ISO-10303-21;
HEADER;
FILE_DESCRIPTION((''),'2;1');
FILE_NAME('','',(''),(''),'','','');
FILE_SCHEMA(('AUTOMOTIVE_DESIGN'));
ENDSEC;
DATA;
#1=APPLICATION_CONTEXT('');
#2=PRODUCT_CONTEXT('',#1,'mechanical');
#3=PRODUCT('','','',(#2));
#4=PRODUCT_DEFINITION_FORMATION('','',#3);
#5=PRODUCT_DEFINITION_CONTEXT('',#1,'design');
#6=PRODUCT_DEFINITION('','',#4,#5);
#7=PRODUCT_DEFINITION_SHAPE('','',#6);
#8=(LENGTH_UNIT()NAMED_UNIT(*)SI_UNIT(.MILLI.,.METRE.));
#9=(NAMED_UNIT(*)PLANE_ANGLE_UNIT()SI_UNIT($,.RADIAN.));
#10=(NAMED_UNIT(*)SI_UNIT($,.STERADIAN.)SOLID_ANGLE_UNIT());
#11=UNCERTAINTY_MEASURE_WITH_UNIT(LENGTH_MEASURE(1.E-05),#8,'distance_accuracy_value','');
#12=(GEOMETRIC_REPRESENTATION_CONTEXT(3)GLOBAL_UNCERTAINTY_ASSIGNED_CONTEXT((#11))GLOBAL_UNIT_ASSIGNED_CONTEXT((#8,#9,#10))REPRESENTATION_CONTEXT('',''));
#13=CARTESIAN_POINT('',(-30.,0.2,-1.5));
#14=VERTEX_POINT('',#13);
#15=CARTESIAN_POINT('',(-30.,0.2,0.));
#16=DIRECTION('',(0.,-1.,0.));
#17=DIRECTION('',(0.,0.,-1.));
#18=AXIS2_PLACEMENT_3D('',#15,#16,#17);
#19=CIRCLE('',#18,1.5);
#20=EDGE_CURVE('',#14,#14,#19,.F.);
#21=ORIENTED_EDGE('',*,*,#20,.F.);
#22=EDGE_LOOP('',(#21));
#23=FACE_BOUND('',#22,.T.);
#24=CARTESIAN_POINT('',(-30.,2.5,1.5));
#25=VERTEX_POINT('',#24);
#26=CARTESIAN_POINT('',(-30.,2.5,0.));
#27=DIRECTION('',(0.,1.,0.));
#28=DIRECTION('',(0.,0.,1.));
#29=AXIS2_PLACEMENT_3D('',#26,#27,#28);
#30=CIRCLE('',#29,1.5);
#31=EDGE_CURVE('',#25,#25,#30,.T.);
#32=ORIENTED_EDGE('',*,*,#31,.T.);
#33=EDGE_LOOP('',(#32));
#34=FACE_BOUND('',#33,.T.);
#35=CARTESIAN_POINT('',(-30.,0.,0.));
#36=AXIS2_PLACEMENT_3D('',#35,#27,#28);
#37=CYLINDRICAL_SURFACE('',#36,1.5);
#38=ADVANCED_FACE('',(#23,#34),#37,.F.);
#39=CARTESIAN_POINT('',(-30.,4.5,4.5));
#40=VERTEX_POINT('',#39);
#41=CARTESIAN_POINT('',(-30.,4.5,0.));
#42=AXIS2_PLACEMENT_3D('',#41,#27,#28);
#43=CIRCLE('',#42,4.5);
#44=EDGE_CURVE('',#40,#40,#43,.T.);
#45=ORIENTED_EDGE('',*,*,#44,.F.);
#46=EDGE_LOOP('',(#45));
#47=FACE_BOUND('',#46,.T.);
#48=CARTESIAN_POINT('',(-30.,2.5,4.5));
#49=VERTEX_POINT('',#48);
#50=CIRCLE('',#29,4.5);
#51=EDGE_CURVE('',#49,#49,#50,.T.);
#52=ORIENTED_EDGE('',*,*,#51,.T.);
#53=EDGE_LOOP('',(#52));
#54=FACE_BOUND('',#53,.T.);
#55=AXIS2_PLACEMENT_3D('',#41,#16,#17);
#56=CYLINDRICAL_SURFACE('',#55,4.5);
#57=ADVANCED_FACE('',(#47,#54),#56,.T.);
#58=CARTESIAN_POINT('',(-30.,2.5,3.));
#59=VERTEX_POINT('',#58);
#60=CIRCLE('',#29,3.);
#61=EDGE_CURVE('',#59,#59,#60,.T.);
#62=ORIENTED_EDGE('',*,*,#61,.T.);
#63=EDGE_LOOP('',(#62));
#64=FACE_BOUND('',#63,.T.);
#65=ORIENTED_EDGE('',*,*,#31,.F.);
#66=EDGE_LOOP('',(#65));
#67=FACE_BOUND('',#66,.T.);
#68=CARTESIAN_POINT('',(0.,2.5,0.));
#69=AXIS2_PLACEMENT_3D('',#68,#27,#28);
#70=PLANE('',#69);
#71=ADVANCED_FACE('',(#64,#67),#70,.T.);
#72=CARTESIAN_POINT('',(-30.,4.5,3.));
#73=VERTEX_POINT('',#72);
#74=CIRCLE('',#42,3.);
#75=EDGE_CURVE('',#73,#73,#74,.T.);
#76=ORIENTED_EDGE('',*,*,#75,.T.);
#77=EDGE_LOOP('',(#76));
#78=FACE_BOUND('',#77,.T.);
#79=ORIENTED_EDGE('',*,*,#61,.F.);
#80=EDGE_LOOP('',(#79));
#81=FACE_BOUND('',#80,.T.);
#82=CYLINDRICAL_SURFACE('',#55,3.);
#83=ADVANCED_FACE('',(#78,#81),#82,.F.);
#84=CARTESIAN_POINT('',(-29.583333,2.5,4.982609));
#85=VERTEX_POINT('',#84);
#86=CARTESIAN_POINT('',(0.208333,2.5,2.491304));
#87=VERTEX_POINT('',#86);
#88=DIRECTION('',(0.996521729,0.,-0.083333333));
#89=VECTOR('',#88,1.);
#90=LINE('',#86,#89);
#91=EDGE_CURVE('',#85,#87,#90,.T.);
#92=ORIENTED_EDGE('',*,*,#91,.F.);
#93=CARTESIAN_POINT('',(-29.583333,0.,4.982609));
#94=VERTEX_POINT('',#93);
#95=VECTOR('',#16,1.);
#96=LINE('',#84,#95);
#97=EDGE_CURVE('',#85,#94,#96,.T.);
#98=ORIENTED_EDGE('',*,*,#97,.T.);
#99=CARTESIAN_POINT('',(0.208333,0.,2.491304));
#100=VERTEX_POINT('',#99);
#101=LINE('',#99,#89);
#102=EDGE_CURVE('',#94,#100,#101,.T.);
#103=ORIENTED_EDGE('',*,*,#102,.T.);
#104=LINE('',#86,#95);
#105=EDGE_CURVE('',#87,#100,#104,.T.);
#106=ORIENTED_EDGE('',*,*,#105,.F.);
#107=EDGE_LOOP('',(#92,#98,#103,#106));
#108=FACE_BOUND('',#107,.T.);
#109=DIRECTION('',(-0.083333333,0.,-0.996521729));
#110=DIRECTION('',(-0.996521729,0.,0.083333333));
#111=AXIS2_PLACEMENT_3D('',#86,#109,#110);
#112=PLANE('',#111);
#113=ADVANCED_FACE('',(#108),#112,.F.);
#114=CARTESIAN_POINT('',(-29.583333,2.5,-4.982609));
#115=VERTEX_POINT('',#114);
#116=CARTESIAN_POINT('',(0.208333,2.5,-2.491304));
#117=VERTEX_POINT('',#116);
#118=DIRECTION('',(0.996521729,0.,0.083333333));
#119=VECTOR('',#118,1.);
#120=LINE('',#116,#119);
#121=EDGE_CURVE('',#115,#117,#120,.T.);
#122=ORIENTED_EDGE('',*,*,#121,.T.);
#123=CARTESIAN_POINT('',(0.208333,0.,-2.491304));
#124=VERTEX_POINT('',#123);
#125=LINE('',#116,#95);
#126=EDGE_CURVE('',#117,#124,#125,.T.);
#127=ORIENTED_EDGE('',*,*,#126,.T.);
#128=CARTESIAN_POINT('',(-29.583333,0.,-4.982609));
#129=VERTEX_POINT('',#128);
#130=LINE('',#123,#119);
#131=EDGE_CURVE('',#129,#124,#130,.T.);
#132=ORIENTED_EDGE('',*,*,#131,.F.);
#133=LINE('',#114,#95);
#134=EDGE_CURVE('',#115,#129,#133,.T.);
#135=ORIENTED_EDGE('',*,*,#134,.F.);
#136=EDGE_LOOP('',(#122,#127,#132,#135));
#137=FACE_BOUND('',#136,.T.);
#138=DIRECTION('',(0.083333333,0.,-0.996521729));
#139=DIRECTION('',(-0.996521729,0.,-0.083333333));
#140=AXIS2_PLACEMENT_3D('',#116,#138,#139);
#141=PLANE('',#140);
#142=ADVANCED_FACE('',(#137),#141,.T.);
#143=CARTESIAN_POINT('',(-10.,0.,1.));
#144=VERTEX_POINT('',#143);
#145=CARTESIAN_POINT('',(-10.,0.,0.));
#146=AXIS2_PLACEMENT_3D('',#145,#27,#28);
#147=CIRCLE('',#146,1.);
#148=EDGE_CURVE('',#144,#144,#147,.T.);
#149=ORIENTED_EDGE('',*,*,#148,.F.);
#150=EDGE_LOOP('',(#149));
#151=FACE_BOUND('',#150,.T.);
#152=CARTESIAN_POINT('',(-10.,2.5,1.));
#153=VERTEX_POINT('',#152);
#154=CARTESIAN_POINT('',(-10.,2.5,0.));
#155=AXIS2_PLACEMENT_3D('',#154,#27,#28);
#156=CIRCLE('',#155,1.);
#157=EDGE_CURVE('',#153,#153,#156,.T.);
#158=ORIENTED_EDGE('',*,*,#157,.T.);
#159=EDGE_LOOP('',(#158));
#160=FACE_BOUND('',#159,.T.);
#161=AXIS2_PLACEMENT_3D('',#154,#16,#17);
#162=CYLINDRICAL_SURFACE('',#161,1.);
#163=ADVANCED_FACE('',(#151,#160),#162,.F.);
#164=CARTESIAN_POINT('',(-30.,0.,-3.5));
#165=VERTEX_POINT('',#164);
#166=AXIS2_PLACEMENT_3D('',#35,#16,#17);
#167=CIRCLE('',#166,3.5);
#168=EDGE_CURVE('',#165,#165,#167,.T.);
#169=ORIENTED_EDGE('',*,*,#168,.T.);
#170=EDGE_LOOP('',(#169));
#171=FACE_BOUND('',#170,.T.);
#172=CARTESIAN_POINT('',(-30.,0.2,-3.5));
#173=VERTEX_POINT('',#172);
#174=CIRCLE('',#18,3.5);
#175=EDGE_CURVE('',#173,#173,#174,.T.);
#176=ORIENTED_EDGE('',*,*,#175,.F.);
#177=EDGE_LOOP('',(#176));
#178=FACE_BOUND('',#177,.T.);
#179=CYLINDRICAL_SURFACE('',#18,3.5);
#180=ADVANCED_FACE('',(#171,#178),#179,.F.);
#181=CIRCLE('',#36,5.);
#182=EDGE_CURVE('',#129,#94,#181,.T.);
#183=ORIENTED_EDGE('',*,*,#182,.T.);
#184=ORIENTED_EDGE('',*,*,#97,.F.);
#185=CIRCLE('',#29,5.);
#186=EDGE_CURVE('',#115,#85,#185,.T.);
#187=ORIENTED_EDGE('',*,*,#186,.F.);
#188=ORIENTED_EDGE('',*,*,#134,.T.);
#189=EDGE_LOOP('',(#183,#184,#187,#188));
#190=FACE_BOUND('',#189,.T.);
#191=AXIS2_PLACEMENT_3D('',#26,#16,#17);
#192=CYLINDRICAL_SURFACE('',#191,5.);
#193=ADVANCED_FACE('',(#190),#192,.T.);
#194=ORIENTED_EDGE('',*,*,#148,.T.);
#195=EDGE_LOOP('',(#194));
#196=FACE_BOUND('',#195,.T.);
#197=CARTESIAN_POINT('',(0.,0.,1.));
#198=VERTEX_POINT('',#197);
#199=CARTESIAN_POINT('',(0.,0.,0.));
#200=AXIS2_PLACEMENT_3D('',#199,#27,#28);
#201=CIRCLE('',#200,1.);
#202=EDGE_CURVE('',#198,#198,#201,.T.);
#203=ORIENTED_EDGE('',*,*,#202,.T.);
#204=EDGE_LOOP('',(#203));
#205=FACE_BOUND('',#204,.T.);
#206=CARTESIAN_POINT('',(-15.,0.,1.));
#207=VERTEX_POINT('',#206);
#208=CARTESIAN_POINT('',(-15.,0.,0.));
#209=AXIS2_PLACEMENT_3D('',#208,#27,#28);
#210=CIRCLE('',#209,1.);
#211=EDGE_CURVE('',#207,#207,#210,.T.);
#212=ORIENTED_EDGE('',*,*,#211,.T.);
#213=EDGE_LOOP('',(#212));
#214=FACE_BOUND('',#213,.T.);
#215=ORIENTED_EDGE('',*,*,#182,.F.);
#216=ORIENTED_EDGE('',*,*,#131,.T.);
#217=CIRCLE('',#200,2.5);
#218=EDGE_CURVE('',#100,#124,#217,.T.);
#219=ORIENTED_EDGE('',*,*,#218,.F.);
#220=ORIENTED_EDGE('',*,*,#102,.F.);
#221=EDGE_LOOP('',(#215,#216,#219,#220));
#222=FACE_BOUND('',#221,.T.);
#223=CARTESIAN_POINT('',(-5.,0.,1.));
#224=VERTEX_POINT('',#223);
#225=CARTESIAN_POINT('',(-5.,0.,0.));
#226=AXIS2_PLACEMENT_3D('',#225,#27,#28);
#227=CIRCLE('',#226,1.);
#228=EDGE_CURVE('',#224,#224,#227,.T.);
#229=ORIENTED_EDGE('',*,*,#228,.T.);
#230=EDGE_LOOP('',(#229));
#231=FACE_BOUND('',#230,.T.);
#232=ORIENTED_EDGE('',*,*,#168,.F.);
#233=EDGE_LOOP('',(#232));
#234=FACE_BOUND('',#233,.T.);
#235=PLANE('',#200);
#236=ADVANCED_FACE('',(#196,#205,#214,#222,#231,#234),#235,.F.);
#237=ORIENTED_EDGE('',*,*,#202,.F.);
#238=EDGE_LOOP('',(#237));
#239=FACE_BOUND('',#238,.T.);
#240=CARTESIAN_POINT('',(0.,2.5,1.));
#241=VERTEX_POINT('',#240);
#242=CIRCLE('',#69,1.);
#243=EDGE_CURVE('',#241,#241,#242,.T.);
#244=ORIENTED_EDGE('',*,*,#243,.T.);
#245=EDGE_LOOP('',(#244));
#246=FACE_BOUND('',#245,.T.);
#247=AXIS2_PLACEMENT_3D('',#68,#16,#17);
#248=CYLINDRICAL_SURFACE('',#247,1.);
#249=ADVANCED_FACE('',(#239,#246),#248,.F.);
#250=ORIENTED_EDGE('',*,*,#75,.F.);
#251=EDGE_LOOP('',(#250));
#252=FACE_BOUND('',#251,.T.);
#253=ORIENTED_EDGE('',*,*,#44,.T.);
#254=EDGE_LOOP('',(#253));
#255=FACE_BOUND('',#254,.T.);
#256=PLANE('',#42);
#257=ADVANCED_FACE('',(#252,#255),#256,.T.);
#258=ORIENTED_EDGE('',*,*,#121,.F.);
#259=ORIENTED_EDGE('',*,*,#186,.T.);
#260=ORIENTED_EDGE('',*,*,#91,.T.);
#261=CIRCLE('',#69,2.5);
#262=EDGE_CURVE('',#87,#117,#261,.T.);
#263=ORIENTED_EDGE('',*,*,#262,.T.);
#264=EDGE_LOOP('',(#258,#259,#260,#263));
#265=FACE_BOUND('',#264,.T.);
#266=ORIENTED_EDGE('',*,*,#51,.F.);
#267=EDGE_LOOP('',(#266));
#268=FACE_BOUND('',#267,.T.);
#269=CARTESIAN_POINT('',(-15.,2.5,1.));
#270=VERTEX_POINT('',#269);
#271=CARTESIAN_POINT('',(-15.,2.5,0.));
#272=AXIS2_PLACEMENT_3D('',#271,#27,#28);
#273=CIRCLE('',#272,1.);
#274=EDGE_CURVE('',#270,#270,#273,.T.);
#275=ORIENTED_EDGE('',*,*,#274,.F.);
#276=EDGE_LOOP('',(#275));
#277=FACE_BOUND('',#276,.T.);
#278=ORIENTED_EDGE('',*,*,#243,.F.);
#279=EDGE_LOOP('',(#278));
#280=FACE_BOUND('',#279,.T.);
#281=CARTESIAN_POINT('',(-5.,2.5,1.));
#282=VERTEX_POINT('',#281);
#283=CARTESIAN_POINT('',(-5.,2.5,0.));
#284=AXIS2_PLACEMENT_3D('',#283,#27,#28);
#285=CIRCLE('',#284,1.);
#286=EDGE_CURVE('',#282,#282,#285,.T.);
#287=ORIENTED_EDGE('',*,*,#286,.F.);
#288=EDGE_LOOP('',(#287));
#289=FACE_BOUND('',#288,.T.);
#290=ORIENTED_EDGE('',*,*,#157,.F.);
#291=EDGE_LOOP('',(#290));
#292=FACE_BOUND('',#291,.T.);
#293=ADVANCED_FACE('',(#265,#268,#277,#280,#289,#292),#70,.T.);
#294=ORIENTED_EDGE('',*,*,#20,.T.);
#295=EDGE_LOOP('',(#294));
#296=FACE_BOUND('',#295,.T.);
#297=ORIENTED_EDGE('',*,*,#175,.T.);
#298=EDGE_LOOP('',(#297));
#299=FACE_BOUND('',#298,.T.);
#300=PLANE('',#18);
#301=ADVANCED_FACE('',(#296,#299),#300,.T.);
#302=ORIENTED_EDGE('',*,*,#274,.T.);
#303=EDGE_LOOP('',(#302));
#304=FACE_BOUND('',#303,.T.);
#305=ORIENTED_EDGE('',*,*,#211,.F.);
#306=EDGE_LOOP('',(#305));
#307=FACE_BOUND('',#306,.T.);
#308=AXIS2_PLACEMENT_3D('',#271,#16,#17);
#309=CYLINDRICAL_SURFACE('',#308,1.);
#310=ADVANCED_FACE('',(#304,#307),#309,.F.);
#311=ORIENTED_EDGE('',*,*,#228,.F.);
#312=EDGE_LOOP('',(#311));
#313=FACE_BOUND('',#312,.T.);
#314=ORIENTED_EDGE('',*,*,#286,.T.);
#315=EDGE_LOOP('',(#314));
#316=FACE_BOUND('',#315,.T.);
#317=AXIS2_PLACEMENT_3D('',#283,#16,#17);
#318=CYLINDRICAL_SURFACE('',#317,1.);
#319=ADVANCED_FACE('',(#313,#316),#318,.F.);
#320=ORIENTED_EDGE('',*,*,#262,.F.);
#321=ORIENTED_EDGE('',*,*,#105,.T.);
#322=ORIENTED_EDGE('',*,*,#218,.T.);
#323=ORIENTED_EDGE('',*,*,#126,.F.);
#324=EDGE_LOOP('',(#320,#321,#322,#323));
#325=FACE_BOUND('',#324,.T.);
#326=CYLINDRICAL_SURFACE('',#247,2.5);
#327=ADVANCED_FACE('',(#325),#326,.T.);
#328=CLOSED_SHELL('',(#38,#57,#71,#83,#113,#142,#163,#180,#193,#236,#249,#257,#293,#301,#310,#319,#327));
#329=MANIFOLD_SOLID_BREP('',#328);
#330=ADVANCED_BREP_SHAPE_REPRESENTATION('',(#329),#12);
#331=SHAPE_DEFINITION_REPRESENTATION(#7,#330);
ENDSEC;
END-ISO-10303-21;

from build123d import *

# Parameters (mm, degrees)
SKETCH1_R           = 1
BOSS_EXTRUDE1_DEPTH = 2.5
SKETCH2_R           = 4.5
SKETCH2_R_2         = 3
BOSS_EXTRUDE2_DEPTH = 2
SKETCH3_R           = 1.5
CUT_EXTRUDE1_DEPTH  = 3.5
SKETCH4_R           = 3.5
CUT_EXTRUDE2_DEPTH  = 0.2


with BuildPart() as part:
    # Sketch1 → Boss-Extrude1 (new body)
    with BuildSketch(Plane(origin=(0, 0, 0), x_dir=(1, 0, 0), z_dir=(0, 1, 0))):
        with BuildLine():
            Line((0.208333333, 2.491304321), (-29.583333333, 4.982608643))
            ThreePointArc((-29.583333333, 4.982608643), (-35, 0), (-29.583333333, -4.982608643))
            Line((-29.583333333, -4.982608643), (0.208333333, -2.491304321))
            ThreePointArc((0.208333333, -2.491304321), (2.5, 0), (0.208333333, 2.491304321))
        make_face()
        with Locations((-15, 0)):
            Circle(SKETCH1_R, mode=Mode.SUBTRACT)
        with Locations((-10, 0)):
            Circle(SKETCH1_R, mode=Mode.SUBTRACT)
        with Locations((-5, 0)):
            Circle(SKETCH1_R, mode=Mode.SUBTRACT)
        Circle(SKETCH1_R, mode=Mode.SUBTRACT)
    extrude(amount=BOSS_EXTRUDE1_DEPTH)

    # Sketch2 → Boss-Extrude2 (add)
    with BuildSketch(Plane(origin=(0, 2.5, 0), x_dir=(1, 0, 0), z_dir=(0, 1, 0))):
        with Locations((-30, 0)):
            Circle(SKETCH2_R)
        with Locations((-30, 0)):
            Circle(SKETCH2_R_2, mode=Mode.SUBTRACT)
    extrude(amount=BOSS_EXTRUDE2_DEPTH)

    # Sketch3 → Cut-Extrude1 (cut, through all)
    with BuildSketch(Plane(origin=(0, 2.5, 0), x_dir=(1, 0, 0), z_dir=(0, 1, 0))):
        with Locations((-30, 0)):
            Circle(SKETCH3_R)
    extrude(amount=-CUT_EXTRUDE1_DEPTH, mode=Mode.SUBTRACT)

    # Sketch4 → Cut-Extrude2 (cut)
    with BuildSketch(Plane.XZ):
        with Locations((-30, 0)):
            Circle(SKETCH4_R)
    extrude(amount=-CUT_EXTRUDE2_DEPTH, mode=Mode.SUBTRACT)


solid = part.part
